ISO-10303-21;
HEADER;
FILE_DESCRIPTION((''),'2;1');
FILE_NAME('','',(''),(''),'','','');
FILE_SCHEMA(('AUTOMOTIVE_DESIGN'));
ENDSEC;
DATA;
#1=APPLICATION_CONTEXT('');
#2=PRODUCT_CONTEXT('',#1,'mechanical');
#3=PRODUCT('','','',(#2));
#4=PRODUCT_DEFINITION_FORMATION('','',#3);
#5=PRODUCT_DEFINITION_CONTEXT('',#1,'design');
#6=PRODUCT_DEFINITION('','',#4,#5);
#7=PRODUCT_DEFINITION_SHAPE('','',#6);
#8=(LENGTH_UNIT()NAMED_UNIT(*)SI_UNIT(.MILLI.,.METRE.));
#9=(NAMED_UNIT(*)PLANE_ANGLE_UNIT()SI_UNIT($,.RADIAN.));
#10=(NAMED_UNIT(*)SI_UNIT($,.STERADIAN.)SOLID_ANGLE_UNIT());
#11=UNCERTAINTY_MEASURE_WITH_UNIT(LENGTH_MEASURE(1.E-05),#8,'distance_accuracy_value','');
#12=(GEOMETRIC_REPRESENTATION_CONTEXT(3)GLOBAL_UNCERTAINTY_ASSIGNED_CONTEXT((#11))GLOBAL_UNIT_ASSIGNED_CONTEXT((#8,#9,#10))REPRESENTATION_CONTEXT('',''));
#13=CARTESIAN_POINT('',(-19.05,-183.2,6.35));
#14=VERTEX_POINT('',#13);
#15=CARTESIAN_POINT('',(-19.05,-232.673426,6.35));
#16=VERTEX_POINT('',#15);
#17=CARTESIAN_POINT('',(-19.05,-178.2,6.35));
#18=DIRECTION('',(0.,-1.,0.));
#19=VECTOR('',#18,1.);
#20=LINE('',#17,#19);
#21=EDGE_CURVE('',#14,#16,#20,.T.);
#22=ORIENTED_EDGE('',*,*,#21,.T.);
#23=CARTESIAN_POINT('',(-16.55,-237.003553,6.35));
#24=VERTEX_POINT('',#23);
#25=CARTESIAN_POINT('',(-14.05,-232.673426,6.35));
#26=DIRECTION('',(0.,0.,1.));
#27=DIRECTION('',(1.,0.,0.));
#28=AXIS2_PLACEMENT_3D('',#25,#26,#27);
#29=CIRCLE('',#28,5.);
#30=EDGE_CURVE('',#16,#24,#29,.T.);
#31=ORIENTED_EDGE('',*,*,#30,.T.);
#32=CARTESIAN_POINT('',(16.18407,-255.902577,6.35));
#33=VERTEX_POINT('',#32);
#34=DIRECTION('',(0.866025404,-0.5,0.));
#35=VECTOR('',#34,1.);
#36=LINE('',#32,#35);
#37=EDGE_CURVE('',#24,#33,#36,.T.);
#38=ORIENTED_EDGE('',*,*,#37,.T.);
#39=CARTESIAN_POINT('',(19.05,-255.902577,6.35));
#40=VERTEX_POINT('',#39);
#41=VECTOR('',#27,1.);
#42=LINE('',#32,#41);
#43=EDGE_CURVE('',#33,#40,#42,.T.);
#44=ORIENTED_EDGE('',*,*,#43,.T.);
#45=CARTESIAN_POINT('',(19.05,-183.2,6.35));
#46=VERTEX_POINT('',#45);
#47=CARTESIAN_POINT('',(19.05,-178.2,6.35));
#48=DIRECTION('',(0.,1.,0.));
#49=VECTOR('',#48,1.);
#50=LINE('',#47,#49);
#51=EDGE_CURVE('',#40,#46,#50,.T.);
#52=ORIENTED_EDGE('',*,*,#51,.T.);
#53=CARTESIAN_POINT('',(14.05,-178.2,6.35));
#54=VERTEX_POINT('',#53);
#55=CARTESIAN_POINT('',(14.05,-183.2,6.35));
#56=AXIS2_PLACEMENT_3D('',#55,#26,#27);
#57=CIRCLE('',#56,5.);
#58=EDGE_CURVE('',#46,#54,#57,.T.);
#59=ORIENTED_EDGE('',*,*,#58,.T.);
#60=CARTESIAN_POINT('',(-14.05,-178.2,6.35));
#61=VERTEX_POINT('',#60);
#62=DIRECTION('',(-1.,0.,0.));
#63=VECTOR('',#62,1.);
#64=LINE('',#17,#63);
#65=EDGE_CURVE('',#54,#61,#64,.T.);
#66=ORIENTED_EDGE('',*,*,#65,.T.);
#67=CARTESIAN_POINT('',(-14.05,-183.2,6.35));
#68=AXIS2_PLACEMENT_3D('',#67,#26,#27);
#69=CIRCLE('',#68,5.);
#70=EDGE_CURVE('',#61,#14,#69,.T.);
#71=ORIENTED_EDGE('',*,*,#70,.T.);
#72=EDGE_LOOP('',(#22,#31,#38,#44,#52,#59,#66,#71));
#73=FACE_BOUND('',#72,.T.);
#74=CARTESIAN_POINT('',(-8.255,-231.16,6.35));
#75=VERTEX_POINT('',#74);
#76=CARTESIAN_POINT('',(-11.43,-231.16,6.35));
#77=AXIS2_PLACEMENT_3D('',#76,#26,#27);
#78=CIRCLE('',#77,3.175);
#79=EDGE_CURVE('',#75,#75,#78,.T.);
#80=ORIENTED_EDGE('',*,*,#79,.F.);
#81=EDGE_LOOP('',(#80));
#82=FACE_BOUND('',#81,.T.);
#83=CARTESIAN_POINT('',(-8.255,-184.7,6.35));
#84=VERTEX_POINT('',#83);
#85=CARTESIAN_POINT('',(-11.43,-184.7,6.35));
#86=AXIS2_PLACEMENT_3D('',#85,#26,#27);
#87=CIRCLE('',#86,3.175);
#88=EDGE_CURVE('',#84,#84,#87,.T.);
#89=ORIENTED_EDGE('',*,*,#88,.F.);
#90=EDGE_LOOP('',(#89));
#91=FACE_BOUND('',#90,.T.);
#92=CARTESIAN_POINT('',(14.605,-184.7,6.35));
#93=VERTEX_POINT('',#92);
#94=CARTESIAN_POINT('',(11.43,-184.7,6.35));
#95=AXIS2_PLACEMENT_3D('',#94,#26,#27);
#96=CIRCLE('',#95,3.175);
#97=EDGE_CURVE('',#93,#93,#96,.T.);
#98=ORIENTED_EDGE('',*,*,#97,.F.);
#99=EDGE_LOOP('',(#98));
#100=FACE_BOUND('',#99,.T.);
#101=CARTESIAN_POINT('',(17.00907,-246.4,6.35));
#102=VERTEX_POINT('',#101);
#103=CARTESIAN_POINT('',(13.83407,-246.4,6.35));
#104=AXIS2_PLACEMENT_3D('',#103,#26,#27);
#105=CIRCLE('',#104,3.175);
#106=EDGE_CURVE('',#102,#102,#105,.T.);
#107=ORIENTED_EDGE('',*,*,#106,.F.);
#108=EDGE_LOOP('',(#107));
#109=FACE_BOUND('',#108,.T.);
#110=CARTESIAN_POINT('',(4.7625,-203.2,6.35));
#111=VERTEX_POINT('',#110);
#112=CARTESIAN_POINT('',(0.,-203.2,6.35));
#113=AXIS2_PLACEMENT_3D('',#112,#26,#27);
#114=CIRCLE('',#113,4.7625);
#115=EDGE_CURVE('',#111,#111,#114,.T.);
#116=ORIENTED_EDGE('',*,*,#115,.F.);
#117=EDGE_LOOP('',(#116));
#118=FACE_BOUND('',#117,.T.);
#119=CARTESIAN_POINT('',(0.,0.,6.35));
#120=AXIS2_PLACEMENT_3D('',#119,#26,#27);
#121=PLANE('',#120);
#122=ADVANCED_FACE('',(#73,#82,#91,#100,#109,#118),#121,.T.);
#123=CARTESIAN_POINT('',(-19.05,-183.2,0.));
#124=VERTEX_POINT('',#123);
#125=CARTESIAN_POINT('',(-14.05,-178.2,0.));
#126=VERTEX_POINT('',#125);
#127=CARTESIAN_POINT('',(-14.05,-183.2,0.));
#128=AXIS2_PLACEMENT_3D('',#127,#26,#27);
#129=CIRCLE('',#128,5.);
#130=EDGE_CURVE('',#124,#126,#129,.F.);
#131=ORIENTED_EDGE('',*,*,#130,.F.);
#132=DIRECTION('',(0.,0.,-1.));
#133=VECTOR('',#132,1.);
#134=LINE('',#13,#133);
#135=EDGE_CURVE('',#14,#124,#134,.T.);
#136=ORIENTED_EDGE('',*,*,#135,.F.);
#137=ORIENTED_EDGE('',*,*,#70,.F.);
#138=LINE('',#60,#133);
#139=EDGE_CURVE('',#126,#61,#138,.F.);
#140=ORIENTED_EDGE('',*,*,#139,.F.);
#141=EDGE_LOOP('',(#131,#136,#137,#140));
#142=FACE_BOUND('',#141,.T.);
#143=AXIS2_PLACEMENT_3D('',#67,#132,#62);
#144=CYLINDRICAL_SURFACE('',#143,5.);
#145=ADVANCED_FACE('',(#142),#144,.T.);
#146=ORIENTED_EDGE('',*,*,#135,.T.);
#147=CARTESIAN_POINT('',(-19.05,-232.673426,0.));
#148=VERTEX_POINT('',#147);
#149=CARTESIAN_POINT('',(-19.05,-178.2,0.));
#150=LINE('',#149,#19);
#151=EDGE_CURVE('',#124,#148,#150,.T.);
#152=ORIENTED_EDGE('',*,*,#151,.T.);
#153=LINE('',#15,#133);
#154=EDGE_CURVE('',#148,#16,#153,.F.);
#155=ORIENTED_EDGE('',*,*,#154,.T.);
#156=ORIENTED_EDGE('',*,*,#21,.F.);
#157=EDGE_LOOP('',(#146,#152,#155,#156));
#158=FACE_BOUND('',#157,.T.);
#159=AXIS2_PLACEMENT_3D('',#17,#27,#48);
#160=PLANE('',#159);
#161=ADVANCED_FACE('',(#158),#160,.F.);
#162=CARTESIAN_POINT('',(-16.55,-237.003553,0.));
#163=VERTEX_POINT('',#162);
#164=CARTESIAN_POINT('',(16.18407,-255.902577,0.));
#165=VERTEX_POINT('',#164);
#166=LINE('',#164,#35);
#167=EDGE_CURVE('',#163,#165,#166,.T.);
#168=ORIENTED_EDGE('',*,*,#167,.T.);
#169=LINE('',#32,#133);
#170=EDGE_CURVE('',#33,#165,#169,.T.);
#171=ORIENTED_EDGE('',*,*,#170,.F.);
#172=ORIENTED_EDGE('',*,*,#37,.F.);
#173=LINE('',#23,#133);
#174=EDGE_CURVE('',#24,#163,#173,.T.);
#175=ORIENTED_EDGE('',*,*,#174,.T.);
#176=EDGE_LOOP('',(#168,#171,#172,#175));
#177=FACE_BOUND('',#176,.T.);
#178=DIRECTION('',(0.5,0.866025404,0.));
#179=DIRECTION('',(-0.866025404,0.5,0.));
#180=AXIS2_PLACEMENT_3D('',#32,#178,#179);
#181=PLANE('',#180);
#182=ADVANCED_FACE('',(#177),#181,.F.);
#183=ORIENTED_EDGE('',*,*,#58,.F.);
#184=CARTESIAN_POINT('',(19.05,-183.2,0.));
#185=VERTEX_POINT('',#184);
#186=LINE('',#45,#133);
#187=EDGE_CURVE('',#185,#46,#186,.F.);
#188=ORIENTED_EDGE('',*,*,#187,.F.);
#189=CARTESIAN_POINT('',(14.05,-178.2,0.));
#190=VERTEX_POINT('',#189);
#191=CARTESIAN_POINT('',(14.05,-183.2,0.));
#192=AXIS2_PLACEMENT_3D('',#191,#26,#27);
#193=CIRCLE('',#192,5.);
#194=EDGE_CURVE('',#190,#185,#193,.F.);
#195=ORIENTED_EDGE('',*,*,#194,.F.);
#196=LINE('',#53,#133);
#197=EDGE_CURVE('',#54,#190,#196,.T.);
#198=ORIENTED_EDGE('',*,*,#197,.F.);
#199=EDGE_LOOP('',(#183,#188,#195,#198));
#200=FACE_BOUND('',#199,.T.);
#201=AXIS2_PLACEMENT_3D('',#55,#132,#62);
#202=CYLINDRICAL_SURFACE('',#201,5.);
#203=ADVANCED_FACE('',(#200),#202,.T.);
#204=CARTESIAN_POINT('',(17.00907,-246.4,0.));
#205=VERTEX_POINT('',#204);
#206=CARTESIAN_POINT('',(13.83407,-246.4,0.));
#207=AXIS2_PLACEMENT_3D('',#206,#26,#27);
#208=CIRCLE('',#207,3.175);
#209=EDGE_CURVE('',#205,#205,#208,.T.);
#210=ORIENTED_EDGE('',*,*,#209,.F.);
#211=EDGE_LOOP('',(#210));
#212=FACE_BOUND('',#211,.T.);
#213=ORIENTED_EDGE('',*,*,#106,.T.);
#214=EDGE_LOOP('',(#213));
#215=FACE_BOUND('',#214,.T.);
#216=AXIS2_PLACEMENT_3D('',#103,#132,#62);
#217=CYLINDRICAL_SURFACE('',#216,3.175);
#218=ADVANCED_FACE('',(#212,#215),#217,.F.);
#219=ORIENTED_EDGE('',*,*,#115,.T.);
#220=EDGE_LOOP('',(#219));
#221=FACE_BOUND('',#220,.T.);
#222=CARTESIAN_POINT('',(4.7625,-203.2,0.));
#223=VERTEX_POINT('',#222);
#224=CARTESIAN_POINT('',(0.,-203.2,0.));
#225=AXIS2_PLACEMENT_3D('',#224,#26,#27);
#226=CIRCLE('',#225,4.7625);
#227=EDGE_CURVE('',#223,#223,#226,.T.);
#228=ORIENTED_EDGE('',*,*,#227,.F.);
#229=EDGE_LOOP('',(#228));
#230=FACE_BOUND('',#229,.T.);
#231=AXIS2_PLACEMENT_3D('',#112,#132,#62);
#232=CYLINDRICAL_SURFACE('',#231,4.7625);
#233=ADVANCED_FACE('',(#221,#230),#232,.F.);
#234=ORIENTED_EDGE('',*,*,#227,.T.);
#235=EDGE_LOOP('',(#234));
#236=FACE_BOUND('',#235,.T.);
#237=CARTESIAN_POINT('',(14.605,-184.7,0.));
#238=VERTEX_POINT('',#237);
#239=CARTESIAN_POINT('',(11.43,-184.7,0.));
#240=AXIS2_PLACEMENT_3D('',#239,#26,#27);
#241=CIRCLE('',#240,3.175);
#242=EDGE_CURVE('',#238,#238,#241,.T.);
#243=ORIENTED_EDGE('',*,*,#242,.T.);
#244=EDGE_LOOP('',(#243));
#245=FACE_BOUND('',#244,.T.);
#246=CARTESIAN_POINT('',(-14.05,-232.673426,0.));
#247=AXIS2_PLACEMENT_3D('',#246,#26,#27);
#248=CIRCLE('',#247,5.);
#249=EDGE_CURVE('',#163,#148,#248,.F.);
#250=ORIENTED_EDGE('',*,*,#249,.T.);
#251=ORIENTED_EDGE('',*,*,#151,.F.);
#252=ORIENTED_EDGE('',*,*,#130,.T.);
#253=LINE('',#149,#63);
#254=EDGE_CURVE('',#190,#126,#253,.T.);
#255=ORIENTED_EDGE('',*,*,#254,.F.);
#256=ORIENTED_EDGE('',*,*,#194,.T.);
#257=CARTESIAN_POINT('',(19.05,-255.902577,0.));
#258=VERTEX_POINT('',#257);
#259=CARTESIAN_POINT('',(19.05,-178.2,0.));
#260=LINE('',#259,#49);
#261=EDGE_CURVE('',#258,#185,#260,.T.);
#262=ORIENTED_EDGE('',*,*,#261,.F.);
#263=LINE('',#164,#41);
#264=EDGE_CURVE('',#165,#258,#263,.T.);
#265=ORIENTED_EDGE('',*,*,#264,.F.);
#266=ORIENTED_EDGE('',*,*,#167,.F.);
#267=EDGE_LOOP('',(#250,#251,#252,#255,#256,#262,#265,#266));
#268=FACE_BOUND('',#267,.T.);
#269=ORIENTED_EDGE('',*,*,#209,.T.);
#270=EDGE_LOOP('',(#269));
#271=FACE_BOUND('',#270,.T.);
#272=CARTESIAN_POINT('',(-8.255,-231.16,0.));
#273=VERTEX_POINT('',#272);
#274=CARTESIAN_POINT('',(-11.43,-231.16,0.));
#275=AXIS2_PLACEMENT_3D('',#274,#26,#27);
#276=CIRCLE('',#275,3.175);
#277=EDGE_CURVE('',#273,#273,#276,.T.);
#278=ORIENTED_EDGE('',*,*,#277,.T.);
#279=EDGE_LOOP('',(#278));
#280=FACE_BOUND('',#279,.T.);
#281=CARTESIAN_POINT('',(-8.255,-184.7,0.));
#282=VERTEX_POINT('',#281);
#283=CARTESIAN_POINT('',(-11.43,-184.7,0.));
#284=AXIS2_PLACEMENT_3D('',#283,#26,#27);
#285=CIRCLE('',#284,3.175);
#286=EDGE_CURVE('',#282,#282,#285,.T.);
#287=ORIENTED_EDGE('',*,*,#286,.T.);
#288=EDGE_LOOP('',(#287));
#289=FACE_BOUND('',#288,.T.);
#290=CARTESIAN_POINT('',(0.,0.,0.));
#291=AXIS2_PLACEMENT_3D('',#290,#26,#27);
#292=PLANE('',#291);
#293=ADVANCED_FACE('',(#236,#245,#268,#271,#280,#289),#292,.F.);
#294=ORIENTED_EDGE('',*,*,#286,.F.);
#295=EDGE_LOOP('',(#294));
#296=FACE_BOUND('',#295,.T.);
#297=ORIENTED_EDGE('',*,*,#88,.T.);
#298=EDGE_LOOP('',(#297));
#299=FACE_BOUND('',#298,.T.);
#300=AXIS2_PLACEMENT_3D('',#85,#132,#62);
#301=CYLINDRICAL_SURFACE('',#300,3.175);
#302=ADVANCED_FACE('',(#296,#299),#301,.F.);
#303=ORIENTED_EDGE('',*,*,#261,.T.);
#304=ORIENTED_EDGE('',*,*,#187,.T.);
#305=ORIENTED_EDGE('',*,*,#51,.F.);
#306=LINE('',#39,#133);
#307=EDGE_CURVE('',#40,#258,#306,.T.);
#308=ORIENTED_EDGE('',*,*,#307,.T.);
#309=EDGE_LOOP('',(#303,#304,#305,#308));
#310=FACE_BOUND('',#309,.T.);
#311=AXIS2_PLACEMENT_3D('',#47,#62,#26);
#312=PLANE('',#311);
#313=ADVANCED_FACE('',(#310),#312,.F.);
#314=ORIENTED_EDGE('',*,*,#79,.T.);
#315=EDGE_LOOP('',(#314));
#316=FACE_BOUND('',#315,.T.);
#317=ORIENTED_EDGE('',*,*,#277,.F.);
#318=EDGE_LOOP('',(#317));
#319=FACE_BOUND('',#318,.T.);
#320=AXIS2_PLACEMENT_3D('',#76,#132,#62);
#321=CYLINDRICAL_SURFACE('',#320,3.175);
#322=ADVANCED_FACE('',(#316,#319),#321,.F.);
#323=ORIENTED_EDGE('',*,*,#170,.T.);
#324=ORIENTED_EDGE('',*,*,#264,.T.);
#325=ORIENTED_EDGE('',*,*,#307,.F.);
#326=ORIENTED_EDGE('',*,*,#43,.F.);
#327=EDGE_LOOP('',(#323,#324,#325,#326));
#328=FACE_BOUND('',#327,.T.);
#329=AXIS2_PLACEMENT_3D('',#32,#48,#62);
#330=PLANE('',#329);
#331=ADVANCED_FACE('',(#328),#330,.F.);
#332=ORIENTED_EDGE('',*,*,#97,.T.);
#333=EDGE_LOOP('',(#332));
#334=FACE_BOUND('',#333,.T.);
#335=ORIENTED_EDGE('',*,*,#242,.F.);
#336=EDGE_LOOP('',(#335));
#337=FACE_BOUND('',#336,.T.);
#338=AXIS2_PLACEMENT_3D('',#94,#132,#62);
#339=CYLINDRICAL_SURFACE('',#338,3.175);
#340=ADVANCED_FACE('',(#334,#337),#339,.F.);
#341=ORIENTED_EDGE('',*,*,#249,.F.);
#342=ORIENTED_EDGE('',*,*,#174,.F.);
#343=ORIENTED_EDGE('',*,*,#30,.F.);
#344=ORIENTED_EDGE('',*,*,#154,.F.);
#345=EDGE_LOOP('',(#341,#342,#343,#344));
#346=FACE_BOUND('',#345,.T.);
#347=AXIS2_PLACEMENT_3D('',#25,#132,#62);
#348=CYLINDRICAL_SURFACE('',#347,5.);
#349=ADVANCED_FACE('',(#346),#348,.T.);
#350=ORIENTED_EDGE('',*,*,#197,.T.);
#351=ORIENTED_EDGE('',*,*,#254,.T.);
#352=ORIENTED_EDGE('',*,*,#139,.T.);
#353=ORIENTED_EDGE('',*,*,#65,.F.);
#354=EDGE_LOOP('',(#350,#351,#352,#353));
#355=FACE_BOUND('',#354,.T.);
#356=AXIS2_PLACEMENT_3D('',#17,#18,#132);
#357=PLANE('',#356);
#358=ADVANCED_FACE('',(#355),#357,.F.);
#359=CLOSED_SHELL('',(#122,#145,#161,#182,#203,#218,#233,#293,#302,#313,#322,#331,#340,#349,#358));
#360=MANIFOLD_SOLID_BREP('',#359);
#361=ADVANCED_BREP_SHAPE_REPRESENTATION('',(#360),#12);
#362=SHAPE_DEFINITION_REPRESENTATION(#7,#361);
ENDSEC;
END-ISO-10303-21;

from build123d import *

# Parameters (mm, degrees)
SKETCH1_R           = 3.175
SKETCH1_R_2         = 4.7625
BOSS_EXTRUDE1_DEPTH = 6.35
FILLET1_R           = 5


with BuildPart() as part:
    # Sketch1 → Boss-Extrude1 (new body)
    with BuildSketch(Plane.XY):
        Polygon((16.184070214, -255.902577388), (-19.05, -235.560177465), (-19.05, -178.2), (19.05, -178.2), (19.05, -255.902577388), align=None)
        with Locations((13.834070214, -246.4)):
            Circle(SKETCH1_R, mode=Mode.SUBTRACT)
        with Locations((-11.43, -231.16)):
            Circle(SKETCH1_R, mode=Mode.SUBTRACT)
        with Locations((0, -203.2)):
            Circle(SKETCH1_R_2, mode=Mode.SUBTRACT)
        with Locations((-11.43, -184.7)):
            Circle(SKETCH1_R, mode=Mode.SUBTRACT)
        with Locations((11.43, -184.7)):
            Circle(SKETCH1_R, mode=Mode.SUBTRACT)
    extrude(amount=BOSS_EXTRUDE1_DEPTH)

    # Fillet1
    fillet1_edges = [part.edges().sort_by_distance(p)[0] for p in [
        (-19.05, -235.560177465, 3.175),
        (-19.05, -178.2, 3.175),
        (19.05, -178.2, 3.175),
    ]]
    fillet(fillet1_edges, radius=FILLET1_R)


solid = part.part
